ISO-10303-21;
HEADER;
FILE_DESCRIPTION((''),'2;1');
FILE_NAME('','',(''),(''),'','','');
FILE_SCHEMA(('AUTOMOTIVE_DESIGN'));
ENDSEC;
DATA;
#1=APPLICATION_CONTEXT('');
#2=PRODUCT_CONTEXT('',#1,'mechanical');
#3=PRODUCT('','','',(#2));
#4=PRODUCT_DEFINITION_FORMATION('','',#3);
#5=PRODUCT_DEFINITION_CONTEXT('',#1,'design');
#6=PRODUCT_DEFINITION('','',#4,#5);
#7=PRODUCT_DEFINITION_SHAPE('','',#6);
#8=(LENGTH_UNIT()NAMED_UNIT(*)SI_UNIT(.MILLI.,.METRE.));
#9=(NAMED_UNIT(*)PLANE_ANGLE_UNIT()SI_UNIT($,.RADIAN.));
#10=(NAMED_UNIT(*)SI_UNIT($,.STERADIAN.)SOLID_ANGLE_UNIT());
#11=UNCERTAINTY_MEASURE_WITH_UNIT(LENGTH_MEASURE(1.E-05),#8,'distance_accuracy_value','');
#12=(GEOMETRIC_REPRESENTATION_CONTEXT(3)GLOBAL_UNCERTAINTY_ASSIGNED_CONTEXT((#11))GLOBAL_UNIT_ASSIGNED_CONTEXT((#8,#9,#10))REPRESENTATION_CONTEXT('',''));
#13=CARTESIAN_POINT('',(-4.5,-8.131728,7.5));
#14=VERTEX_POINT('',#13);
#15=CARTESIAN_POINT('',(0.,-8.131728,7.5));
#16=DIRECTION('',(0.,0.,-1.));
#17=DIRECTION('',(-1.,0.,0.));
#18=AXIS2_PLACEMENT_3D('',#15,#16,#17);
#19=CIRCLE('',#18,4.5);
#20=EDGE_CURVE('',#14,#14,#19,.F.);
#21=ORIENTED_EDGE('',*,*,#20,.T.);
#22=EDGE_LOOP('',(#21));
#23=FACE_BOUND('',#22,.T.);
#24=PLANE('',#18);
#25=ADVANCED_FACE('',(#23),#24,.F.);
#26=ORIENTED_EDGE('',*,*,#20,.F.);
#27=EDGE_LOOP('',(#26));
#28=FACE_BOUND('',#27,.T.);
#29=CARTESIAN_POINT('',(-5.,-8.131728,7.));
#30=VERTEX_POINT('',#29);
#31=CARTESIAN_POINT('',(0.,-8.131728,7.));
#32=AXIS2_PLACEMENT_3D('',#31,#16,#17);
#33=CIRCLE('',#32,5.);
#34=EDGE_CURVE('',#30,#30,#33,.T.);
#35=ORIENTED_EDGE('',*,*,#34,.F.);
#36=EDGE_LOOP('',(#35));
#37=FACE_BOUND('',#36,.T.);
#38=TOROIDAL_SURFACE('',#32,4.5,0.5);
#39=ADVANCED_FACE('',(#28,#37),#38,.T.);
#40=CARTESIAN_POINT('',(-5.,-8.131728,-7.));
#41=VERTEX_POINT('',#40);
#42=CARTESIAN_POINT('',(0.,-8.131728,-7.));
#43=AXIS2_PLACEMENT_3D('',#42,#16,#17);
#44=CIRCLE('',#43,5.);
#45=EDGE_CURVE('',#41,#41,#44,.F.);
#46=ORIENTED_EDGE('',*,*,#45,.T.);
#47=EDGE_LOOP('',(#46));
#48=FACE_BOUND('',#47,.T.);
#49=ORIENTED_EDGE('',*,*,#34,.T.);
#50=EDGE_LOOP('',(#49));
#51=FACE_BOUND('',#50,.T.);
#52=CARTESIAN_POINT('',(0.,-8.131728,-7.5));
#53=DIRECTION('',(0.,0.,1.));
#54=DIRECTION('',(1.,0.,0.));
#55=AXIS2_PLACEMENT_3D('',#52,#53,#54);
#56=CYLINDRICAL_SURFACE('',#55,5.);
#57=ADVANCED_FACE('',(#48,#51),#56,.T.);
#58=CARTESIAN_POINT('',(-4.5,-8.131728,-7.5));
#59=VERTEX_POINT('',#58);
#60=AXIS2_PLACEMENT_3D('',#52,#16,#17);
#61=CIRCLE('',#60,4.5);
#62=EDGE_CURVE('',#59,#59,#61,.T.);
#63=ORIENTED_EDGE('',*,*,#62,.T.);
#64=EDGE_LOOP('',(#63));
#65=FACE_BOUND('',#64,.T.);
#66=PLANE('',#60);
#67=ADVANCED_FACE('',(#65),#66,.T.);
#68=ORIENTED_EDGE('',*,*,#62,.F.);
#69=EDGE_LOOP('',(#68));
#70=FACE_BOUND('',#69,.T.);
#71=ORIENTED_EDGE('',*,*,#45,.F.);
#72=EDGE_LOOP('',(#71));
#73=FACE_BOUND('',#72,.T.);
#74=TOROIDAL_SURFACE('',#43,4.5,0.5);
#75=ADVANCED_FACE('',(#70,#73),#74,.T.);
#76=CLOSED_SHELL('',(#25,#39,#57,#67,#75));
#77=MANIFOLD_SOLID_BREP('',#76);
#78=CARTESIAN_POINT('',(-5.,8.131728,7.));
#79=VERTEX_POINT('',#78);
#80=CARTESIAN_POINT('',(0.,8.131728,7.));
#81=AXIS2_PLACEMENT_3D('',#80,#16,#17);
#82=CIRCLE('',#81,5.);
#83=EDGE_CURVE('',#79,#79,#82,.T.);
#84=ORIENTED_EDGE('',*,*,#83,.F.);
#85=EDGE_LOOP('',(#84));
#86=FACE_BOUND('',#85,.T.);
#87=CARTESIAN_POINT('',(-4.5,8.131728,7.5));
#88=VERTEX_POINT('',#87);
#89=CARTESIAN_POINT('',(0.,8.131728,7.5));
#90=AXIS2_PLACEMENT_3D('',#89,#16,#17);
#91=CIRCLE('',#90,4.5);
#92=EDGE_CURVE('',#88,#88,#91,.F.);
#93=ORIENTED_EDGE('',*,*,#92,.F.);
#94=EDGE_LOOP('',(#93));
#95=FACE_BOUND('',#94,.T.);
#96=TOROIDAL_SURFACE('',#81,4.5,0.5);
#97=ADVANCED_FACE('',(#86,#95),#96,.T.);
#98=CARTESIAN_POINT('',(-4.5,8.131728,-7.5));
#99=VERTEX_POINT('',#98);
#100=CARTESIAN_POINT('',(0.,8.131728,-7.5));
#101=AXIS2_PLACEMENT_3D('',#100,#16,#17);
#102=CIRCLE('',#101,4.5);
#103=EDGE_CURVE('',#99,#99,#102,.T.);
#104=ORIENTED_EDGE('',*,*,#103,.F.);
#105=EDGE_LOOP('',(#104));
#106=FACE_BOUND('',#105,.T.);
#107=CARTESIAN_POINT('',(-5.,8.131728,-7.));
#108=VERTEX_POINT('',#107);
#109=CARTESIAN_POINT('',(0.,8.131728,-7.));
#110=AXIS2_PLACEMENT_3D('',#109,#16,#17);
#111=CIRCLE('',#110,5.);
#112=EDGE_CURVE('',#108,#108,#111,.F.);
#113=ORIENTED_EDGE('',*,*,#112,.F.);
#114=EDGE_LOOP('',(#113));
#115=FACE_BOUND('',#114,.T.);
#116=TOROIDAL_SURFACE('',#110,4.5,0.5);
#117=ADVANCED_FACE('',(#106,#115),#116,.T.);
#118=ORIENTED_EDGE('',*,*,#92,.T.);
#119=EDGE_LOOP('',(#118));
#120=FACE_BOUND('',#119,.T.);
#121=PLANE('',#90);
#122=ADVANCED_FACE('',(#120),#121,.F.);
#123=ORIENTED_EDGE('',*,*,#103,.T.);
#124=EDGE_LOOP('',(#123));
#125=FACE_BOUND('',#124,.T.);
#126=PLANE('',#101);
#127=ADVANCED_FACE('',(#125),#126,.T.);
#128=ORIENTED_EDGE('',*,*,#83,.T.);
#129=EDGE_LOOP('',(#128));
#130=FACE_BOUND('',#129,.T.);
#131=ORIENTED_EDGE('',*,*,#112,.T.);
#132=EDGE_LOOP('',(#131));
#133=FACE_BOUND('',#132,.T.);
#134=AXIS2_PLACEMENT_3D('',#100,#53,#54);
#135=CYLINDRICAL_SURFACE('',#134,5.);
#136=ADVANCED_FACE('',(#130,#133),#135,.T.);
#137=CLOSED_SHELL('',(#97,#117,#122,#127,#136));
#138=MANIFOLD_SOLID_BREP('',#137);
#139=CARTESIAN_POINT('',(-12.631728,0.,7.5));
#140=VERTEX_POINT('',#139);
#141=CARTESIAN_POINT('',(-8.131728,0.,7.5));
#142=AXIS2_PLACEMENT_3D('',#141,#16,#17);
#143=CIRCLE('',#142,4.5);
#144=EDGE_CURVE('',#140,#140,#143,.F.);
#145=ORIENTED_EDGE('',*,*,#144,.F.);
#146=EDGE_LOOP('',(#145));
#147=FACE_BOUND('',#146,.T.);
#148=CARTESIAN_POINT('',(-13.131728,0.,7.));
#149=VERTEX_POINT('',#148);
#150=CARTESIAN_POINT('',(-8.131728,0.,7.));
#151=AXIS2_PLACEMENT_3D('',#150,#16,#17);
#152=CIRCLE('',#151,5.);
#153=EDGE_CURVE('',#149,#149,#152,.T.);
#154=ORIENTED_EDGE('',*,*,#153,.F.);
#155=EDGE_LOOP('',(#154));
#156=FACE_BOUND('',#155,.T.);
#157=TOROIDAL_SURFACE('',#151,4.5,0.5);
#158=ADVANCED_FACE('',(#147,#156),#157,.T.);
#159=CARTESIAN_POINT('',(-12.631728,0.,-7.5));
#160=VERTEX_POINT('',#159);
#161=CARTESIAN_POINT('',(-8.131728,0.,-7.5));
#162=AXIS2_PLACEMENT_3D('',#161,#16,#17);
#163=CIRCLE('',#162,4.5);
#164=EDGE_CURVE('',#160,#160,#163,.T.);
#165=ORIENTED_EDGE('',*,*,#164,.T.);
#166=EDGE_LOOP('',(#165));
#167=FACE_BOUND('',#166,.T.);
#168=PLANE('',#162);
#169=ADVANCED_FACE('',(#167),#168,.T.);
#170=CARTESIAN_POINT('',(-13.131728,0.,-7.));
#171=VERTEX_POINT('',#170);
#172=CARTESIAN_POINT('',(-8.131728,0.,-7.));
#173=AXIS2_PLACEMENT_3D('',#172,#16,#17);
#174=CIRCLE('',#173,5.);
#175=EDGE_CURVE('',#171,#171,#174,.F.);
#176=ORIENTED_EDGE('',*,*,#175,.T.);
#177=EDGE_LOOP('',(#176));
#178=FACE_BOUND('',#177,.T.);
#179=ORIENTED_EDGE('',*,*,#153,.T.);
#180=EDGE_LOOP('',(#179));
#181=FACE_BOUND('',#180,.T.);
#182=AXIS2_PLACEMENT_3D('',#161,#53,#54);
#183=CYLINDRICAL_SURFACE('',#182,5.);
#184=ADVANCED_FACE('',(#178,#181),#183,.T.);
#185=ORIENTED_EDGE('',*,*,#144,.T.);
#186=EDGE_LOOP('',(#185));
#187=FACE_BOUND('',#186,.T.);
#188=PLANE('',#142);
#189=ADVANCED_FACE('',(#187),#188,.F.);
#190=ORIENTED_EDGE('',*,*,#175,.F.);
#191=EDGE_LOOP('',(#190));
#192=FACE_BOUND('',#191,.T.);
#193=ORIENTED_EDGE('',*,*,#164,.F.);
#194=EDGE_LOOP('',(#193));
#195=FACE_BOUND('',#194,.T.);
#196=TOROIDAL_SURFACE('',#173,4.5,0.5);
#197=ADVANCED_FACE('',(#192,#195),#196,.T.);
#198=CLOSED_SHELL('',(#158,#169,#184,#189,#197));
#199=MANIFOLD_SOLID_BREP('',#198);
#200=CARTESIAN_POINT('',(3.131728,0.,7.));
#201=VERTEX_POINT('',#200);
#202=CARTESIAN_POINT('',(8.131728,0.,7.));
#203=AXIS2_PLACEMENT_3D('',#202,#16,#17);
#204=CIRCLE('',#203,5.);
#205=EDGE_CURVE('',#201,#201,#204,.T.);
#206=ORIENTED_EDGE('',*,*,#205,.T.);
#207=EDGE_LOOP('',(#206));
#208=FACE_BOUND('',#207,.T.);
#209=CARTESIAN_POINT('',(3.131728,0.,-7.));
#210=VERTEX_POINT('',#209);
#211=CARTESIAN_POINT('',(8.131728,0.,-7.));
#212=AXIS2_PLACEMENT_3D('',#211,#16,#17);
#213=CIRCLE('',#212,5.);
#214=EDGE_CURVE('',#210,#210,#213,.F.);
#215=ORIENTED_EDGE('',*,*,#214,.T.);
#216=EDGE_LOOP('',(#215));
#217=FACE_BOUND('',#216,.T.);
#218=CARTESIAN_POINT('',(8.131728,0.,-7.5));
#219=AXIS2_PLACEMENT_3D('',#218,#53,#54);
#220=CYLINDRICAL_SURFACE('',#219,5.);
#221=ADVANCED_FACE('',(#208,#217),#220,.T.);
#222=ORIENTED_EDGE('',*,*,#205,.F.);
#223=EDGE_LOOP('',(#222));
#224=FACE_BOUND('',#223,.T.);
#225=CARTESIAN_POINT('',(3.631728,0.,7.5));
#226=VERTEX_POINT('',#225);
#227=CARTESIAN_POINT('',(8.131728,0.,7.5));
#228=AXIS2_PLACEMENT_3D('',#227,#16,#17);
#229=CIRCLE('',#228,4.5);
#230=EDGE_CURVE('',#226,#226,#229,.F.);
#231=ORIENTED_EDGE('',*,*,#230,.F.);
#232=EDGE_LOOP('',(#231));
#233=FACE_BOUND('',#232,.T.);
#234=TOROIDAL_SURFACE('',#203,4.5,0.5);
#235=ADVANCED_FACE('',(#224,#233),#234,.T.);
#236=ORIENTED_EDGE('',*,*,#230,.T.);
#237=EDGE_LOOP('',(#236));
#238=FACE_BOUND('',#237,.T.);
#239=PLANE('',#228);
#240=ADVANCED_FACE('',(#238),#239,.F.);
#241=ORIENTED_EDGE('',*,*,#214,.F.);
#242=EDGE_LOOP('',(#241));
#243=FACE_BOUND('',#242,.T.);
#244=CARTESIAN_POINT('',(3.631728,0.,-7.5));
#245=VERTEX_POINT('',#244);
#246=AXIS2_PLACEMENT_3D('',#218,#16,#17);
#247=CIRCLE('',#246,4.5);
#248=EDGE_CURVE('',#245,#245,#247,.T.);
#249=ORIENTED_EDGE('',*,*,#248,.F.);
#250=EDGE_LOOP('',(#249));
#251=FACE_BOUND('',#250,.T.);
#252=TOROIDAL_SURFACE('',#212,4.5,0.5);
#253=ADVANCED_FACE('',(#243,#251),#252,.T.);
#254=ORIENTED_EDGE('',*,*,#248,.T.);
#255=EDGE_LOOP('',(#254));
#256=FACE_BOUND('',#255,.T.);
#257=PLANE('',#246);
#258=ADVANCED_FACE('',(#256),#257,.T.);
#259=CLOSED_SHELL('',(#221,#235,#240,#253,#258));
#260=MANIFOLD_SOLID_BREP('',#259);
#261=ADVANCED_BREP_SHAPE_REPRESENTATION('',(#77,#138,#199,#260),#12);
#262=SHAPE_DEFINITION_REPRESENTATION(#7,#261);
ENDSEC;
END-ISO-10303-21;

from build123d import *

# Parameters (mm, degrees)
SKETCH_1_R        = 5
EXTRUDE_1_DEPTH   = 7.5
EXTRUDE_1_2_DEPTH = 7.5
EXTRUDE_1_3_DEPTH = 7.5
EXTRUDE_1_4_DEPTH = 7.5
FILLET_1_R        = 0.5
FILLET_2_R        = 0.5
FILLET_3_R        = 0.5
FILLET_4_R        = 0.5


with BuildPart() as part:
    # 草图1 → 凸台-拉伸1 (new, symmetric)
    with BuildSketch(Plane(origin=(-51, 0, 0), x_dir=(-1, 0, 0), z_dir=(0, 0, -1))):
        with Locations((-42.868272016, 0)):
            Circle(SKETCH_1_R)
    extrude(amount=EXTRUDE_1_DEPTH, both=True)

    # 圆角4
    fillet_4_edges = [part.edges().sort_by_distance(p)[0] for p in [
        (-3.131727984, 0, 7.5),
        (-3.131727984, 0, -7.5),
    ]]
    fillet(fillet_4_edges, radius=FILLET_4_R)


with BuildPart() as body_2:
    # 草图1 → Extrude 1 2 (new, symmetric)
    with BuildSketch(Plane(origin=(-51, 0, 0), x_dir=(-1, 0, 0), z_dir=(0, 0, -1))):
        with Locations((-51, -8.131727984)):
            Circle(SKETCH_1_R)
    extrude(amount=EXTRUDE_1_2_DEPTH, both=True)

    # 圆角2
    fillet_2_edges = [body_2.edges().sort_by_distance(p)[0] for p in [
        (5, -8.131727984, 7.5),
        (5, -8.131727984, -7.5),
    ]]
    fillet(fillet_2_edges, radius=FILLET_2_R)


with BuildPart() as body_3:
    # 草图1 → Extrude 1 3 (new, symmetric)
    with BuildSketch(Plane(origin=(-51, 0, 0), x_dir=(-1, 0, 0), z_dir=(0, 0, -1))):
        with Locations((-51, 8.131727984)):
            Circle(SKETCH_1_R)
    extrude(amount=EXTRUDE_1_3_DEPTH, both=True)

    # 圆角3
    fillet_3_edges = [body_3.edges().sort_by_distance(p)[0] for p in [
        (5, 8.131727984, 7.5),
        (5, 8.131727984, -7.5),
    ]]
    fillet(fillet_3_edges, radius=FILLET_3_R)


with BuildPart() as body_4:
    # 草图1 → Extrude 1 4 (new, symmetric)
    with BuildSketch(Plane(origin=(-51, 0, 0), x_dir=(-1, 0, 0), z_dir=(0, 0, -1))):
        with Locations((-59.131727984, 0)):
            Circle(SKETCH_1_R)
    extrude(amount=EXTRUDE_1_4_DEPTH, both=True)

    # 圆角1
    fillet_1_edges = [body_4.edges().sort_by_distance(p)[0] for p in [
        (13.131727984, 0, 7.5),
        (13.131727984, 0, -7.5),
    ]]
    fillet(fillet_1_edges, radius=FILLET_1_R)


solid = Compound([part.part, body_2.part, body_3.part, body_4.part])
